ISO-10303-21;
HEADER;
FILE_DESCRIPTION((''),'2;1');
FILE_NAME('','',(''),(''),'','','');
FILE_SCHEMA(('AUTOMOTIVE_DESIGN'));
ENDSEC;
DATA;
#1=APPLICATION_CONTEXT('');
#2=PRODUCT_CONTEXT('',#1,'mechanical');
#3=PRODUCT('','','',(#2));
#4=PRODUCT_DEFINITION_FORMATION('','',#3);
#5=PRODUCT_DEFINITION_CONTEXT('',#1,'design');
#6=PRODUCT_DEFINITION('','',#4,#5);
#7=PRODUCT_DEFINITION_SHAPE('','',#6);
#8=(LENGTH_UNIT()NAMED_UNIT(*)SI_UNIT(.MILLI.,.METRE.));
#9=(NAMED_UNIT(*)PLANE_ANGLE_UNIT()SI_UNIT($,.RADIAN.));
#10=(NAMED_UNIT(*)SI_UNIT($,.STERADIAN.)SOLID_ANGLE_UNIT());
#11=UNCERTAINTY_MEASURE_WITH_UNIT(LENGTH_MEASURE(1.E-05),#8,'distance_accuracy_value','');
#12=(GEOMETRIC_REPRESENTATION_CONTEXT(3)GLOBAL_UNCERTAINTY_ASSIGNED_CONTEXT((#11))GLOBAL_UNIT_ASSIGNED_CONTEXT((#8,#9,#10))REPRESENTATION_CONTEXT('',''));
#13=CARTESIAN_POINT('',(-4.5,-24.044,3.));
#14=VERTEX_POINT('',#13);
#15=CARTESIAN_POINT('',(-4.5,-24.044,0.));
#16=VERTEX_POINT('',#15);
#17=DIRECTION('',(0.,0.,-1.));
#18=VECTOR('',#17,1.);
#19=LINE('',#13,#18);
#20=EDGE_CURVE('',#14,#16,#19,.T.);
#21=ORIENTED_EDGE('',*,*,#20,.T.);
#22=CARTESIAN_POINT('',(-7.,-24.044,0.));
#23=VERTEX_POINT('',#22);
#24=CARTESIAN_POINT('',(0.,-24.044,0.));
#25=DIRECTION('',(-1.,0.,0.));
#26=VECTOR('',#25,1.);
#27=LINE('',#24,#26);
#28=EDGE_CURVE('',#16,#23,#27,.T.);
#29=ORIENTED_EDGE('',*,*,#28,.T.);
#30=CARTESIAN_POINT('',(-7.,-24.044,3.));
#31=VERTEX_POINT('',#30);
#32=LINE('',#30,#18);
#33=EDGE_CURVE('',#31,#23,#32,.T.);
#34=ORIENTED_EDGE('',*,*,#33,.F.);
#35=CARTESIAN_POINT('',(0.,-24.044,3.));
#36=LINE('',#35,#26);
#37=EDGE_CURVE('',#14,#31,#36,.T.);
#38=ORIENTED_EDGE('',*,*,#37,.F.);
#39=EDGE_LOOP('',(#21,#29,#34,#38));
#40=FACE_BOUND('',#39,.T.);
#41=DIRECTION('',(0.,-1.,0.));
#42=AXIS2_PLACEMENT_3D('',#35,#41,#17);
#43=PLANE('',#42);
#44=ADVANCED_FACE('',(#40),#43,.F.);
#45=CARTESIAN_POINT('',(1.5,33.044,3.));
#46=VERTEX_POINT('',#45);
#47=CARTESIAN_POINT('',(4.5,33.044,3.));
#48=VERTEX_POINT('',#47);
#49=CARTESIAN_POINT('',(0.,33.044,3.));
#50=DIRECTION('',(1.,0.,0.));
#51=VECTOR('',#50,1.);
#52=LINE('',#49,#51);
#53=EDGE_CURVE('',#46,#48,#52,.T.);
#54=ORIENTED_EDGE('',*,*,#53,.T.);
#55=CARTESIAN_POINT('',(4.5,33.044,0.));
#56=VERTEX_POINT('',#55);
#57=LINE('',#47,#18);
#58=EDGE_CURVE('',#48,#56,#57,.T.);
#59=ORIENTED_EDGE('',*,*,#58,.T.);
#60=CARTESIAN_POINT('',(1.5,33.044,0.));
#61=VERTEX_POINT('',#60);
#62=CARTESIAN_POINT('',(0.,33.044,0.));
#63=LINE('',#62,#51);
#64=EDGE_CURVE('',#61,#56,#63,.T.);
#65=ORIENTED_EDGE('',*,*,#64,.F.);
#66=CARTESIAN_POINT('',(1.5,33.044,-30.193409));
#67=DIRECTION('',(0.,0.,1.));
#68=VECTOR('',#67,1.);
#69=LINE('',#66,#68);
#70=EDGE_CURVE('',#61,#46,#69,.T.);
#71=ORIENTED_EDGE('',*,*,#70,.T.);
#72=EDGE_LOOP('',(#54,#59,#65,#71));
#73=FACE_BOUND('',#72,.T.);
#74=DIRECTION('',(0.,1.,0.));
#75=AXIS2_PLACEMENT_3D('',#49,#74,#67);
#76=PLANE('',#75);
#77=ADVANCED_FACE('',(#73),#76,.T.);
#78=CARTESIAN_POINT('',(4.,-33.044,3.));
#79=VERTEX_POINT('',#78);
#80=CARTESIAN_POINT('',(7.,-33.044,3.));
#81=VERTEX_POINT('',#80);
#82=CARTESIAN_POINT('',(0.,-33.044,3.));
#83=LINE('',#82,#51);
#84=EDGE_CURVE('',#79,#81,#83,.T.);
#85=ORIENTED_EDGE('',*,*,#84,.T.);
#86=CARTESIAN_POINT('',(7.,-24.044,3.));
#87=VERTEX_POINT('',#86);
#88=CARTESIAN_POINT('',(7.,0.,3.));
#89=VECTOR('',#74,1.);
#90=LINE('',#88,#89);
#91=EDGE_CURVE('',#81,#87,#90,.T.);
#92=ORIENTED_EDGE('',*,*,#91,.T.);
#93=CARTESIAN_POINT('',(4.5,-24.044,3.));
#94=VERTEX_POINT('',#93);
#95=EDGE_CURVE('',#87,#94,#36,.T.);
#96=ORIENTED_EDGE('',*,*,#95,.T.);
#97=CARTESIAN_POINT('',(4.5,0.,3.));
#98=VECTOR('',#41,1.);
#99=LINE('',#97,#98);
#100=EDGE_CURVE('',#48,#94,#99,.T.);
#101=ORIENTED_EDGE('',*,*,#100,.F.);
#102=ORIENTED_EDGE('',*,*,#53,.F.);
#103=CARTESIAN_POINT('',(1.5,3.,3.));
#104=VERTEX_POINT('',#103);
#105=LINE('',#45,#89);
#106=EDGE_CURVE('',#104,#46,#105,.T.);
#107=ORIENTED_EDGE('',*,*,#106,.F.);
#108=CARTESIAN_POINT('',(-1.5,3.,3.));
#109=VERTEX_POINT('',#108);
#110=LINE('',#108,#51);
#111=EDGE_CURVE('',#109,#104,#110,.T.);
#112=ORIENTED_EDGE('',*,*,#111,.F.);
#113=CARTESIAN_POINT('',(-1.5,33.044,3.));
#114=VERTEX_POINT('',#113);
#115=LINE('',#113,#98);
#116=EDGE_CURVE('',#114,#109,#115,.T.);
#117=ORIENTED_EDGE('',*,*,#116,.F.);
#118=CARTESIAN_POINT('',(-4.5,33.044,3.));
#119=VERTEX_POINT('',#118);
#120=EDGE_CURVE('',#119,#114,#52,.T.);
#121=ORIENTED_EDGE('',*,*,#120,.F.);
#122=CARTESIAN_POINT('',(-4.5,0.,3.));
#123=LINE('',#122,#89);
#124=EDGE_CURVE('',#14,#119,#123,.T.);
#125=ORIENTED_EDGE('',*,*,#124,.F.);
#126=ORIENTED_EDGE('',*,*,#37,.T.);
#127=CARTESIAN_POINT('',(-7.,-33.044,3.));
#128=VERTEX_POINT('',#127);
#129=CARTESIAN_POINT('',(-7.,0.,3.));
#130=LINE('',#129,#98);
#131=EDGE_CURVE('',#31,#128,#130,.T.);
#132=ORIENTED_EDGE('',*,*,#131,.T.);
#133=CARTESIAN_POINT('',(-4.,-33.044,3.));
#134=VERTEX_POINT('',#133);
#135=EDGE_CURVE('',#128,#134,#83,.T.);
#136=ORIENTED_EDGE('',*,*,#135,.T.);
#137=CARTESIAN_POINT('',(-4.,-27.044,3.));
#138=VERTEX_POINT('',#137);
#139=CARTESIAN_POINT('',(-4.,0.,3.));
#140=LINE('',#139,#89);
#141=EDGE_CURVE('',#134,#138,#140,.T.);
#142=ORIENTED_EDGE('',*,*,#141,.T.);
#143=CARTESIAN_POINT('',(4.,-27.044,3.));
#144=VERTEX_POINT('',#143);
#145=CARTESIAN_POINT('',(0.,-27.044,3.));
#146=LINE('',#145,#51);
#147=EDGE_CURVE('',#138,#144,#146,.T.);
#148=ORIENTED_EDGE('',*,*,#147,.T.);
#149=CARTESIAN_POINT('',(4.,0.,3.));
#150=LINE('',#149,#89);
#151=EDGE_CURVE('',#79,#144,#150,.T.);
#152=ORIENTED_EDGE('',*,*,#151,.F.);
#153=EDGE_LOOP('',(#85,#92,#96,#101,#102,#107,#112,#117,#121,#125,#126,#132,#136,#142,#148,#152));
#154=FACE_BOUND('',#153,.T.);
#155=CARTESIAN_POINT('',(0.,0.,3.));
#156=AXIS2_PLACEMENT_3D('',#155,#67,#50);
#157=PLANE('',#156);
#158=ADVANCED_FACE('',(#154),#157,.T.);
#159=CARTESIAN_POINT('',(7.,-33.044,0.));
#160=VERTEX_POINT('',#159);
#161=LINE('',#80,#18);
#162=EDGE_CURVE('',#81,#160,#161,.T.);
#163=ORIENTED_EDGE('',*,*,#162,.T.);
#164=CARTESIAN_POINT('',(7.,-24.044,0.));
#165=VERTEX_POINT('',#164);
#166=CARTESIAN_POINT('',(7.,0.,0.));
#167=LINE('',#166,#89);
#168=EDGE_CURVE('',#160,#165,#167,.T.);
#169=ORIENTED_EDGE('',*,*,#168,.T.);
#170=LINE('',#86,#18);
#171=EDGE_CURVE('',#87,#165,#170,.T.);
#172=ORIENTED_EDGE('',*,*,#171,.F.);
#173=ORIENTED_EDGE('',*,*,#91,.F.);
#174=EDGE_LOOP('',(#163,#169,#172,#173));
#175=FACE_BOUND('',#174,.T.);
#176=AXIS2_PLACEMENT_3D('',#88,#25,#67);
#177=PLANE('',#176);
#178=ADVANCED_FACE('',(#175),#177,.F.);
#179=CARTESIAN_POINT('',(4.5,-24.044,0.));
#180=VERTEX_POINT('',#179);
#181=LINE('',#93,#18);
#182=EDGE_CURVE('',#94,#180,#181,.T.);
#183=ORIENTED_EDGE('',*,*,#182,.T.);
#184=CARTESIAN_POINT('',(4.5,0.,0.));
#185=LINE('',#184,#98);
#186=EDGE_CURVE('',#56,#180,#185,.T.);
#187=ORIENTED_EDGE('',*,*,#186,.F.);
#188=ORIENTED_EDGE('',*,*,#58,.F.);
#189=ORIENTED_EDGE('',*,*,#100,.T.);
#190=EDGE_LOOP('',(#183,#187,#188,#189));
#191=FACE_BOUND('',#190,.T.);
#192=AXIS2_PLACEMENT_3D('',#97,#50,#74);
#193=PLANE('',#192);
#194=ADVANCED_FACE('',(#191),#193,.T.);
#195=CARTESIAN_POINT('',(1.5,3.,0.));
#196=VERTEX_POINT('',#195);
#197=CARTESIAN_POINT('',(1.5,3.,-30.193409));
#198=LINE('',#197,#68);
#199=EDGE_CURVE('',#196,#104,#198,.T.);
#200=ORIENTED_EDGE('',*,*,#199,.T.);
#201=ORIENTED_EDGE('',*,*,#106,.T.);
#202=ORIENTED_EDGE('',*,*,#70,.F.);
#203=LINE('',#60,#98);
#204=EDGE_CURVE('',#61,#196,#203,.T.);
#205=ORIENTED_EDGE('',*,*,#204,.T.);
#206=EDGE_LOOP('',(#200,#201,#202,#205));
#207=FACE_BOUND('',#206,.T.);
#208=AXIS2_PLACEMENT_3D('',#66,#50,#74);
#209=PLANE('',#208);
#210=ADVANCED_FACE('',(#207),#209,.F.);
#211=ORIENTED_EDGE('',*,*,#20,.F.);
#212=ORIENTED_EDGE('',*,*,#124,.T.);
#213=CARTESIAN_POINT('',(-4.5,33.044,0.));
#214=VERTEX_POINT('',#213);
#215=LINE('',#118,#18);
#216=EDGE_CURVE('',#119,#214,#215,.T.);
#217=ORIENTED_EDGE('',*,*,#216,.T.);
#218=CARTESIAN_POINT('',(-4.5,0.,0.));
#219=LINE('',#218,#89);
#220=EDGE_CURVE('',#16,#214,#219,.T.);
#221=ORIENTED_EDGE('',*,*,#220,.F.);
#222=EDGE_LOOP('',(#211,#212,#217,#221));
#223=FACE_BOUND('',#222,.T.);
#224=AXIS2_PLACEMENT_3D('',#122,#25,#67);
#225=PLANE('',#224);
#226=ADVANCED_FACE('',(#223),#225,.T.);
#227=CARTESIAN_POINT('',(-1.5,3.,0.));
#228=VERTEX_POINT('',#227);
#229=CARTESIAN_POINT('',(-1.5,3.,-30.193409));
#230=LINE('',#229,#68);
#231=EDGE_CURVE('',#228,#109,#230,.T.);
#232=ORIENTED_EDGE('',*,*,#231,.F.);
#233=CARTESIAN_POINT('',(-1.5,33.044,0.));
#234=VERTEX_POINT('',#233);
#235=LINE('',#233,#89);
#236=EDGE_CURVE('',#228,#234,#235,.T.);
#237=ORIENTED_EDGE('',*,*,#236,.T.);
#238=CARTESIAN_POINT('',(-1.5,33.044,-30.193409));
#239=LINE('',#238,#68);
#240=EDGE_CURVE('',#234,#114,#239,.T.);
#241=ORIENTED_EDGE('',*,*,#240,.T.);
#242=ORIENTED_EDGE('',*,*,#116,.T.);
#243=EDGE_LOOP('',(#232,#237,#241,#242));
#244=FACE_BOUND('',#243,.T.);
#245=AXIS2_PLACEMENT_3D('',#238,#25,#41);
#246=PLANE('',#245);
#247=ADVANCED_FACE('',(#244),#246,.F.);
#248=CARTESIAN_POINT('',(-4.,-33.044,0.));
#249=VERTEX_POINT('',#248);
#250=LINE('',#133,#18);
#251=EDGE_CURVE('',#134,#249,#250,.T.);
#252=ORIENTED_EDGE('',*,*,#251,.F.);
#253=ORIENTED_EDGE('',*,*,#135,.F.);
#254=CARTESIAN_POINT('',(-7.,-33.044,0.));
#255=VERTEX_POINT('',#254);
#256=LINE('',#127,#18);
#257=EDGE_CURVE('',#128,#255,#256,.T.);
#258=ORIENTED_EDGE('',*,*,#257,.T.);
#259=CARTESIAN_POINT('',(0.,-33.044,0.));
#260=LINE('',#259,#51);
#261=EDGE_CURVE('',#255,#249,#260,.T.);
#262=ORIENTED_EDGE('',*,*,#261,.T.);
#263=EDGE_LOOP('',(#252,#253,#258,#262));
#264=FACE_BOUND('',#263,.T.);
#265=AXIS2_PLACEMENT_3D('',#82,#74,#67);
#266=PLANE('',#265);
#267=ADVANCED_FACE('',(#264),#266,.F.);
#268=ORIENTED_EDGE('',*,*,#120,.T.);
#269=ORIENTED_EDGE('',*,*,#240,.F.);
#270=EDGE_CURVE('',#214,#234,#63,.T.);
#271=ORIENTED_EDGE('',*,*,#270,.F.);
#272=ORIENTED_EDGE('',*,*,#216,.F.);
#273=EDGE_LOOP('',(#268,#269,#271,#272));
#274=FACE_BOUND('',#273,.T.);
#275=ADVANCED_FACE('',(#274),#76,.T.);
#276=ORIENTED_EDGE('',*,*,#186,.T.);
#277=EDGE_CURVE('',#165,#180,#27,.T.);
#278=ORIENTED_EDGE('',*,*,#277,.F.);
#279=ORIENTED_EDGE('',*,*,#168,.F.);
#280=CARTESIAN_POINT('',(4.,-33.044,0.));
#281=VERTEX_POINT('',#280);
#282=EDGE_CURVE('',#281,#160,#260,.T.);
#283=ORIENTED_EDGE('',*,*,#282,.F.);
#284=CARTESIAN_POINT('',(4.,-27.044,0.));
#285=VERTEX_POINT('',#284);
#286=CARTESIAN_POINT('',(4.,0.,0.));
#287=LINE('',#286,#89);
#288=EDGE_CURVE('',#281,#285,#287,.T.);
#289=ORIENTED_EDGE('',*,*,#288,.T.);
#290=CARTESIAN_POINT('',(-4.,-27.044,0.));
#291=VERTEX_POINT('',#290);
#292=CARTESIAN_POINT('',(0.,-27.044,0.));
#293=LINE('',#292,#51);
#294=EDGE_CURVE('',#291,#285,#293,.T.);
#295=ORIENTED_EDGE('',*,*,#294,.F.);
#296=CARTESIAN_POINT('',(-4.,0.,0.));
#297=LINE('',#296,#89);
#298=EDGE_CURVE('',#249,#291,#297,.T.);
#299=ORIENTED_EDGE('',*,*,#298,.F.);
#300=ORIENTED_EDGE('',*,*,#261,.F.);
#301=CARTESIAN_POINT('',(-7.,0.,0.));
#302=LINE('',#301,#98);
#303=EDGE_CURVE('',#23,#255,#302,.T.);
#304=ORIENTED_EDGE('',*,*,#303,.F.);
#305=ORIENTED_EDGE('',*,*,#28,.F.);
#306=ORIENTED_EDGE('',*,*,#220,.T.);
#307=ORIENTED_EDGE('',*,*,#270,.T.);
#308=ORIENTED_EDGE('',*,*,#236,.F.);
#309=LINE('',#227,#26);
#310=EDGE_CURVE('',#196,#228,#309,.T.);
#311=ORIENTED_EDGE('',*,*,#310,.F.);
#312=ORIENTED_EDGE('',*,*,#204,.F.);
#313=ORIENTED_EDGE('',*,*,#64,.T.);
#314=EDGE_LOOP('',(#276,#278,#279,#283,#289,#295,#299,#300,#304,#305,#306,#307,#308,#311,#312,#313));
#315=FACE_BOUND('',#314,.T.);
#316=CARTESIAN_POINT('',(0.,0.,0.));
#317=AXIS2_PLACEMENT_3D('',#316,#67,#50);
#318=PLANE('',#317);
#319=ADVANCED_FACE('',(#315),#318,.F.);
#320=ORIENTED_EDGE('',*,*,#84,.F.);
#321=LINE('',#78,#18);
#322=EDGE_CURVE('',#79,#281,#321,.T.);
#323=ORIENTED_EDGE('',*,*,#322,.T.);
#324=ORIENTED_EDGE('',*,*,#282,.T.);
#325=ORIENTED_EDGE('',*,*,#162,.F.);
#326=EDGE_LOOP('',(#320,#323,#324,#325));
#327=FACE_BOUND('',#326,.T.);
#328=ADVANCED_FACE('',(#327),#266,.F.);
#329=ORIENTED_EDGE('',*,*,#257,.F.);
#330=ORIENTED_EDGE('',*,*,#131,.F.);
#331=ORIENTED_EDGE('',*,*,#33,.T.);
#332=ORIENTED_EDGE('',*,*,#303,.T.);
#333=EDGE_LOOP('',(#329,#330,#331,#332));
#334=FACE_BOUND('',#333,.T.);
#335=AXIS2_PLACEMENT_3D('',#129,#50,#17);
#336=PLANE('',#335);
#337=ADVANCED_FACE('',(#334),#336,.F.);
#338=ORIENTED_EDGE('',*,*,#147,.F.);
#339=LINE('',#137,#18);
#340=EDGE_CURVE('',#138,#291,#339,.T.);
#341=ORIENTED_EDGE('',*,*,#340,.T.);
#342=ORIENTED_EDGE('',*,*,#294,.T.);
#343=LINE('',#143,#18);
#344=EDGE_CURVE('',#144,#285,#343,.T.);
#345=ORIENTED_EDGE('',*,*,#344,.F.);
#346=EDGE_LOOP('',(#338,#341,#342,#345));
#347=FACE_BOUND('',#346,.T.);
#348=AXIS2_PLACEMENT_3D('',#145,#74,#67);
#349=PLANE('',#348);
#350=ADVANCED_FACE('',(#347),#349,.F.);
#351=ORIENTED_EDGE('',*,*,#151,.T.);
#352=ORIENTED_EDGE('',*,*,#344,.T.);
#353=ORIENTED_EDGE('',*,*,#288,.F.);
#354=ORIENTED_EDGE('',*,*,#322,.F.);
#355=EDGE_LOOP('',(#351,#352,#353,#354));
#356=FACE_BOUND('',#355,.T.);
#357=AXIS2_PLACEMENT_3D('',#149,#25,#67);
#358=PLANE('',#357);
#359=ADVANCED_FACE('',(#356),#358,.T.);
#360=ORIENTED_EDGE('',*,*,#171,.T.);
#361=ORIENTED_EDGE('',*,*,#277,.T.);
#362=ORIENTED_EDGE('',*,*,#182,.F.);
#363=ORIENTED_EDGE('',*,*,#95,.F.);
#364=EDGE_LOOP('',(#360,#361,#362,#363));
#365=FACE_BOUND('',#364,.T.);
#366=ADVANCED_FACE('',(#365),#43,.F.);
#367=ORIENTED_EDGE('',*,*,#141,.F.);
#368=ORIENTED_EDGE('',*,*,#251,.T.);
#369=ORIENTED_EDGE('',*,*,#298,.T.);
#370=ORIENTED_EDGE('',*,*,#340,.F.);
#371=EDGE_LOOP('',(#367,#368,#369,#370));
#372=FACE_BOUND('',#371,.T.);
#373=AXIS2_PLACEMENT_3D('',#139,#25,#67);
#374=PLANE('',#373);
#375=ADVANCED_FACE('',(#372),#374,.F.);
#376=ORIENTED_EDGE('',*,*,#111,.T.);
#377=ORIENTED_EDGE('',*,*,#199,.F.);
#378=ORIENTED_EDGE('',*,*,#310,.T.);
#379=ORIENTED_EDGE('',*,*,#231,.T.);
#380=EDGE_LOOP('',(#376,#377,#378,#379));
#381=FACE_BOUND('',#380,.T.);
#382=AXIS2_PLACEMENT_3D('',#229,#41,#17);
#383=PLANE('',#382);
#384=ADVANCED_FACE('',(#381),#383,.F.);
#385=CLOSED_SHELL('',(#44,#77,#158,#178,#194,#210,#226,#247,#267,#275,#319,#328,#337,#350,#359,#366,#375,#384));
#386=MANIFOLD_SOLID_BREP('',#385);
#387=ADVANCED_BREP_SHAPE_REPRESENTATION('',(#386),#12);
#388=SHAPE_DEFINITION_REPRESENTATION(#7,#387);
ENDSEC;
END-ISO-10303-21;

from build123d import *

# Parameters (mm, degrees)
EXTRUDE_1_DEPTH     = 3
SKETCH_2_W          = 3
SKETCH_2_H          = 30.044
CUT_EXTRUDE_1_DEPTH = 3


with BuildPart() as part:
    # 스케치1 → 보스-돌출1 (new body)
    with BuildSketch(Plane.XY):
        Polygon((-4.5, 33.044), (4.5, 33.044), (4.5, -24.044), (7, -24.044), (7, -33.044), (4, -33.044), (4, -27.044), (-4, -27.044), (-4, -33.044), (-7, -33.044), (-7, -24.044), (-4.5, -24.044), align=None)
    extrude(amount=EXTRUDE_1_DEPTH)

    # 스케치2 → 컷-돌출1 (cut)
    with BuildSketch(Plane.XY.offset(3)):
        with Locations((0, 18.022)):
            Rectangle(SKETCH_2_W, SKETCH_2_H)
    extrude(amount=-CUT_EXTRUDE_1_DEPTH, mode=Mode.SUBTRACT)


solid = part.part
